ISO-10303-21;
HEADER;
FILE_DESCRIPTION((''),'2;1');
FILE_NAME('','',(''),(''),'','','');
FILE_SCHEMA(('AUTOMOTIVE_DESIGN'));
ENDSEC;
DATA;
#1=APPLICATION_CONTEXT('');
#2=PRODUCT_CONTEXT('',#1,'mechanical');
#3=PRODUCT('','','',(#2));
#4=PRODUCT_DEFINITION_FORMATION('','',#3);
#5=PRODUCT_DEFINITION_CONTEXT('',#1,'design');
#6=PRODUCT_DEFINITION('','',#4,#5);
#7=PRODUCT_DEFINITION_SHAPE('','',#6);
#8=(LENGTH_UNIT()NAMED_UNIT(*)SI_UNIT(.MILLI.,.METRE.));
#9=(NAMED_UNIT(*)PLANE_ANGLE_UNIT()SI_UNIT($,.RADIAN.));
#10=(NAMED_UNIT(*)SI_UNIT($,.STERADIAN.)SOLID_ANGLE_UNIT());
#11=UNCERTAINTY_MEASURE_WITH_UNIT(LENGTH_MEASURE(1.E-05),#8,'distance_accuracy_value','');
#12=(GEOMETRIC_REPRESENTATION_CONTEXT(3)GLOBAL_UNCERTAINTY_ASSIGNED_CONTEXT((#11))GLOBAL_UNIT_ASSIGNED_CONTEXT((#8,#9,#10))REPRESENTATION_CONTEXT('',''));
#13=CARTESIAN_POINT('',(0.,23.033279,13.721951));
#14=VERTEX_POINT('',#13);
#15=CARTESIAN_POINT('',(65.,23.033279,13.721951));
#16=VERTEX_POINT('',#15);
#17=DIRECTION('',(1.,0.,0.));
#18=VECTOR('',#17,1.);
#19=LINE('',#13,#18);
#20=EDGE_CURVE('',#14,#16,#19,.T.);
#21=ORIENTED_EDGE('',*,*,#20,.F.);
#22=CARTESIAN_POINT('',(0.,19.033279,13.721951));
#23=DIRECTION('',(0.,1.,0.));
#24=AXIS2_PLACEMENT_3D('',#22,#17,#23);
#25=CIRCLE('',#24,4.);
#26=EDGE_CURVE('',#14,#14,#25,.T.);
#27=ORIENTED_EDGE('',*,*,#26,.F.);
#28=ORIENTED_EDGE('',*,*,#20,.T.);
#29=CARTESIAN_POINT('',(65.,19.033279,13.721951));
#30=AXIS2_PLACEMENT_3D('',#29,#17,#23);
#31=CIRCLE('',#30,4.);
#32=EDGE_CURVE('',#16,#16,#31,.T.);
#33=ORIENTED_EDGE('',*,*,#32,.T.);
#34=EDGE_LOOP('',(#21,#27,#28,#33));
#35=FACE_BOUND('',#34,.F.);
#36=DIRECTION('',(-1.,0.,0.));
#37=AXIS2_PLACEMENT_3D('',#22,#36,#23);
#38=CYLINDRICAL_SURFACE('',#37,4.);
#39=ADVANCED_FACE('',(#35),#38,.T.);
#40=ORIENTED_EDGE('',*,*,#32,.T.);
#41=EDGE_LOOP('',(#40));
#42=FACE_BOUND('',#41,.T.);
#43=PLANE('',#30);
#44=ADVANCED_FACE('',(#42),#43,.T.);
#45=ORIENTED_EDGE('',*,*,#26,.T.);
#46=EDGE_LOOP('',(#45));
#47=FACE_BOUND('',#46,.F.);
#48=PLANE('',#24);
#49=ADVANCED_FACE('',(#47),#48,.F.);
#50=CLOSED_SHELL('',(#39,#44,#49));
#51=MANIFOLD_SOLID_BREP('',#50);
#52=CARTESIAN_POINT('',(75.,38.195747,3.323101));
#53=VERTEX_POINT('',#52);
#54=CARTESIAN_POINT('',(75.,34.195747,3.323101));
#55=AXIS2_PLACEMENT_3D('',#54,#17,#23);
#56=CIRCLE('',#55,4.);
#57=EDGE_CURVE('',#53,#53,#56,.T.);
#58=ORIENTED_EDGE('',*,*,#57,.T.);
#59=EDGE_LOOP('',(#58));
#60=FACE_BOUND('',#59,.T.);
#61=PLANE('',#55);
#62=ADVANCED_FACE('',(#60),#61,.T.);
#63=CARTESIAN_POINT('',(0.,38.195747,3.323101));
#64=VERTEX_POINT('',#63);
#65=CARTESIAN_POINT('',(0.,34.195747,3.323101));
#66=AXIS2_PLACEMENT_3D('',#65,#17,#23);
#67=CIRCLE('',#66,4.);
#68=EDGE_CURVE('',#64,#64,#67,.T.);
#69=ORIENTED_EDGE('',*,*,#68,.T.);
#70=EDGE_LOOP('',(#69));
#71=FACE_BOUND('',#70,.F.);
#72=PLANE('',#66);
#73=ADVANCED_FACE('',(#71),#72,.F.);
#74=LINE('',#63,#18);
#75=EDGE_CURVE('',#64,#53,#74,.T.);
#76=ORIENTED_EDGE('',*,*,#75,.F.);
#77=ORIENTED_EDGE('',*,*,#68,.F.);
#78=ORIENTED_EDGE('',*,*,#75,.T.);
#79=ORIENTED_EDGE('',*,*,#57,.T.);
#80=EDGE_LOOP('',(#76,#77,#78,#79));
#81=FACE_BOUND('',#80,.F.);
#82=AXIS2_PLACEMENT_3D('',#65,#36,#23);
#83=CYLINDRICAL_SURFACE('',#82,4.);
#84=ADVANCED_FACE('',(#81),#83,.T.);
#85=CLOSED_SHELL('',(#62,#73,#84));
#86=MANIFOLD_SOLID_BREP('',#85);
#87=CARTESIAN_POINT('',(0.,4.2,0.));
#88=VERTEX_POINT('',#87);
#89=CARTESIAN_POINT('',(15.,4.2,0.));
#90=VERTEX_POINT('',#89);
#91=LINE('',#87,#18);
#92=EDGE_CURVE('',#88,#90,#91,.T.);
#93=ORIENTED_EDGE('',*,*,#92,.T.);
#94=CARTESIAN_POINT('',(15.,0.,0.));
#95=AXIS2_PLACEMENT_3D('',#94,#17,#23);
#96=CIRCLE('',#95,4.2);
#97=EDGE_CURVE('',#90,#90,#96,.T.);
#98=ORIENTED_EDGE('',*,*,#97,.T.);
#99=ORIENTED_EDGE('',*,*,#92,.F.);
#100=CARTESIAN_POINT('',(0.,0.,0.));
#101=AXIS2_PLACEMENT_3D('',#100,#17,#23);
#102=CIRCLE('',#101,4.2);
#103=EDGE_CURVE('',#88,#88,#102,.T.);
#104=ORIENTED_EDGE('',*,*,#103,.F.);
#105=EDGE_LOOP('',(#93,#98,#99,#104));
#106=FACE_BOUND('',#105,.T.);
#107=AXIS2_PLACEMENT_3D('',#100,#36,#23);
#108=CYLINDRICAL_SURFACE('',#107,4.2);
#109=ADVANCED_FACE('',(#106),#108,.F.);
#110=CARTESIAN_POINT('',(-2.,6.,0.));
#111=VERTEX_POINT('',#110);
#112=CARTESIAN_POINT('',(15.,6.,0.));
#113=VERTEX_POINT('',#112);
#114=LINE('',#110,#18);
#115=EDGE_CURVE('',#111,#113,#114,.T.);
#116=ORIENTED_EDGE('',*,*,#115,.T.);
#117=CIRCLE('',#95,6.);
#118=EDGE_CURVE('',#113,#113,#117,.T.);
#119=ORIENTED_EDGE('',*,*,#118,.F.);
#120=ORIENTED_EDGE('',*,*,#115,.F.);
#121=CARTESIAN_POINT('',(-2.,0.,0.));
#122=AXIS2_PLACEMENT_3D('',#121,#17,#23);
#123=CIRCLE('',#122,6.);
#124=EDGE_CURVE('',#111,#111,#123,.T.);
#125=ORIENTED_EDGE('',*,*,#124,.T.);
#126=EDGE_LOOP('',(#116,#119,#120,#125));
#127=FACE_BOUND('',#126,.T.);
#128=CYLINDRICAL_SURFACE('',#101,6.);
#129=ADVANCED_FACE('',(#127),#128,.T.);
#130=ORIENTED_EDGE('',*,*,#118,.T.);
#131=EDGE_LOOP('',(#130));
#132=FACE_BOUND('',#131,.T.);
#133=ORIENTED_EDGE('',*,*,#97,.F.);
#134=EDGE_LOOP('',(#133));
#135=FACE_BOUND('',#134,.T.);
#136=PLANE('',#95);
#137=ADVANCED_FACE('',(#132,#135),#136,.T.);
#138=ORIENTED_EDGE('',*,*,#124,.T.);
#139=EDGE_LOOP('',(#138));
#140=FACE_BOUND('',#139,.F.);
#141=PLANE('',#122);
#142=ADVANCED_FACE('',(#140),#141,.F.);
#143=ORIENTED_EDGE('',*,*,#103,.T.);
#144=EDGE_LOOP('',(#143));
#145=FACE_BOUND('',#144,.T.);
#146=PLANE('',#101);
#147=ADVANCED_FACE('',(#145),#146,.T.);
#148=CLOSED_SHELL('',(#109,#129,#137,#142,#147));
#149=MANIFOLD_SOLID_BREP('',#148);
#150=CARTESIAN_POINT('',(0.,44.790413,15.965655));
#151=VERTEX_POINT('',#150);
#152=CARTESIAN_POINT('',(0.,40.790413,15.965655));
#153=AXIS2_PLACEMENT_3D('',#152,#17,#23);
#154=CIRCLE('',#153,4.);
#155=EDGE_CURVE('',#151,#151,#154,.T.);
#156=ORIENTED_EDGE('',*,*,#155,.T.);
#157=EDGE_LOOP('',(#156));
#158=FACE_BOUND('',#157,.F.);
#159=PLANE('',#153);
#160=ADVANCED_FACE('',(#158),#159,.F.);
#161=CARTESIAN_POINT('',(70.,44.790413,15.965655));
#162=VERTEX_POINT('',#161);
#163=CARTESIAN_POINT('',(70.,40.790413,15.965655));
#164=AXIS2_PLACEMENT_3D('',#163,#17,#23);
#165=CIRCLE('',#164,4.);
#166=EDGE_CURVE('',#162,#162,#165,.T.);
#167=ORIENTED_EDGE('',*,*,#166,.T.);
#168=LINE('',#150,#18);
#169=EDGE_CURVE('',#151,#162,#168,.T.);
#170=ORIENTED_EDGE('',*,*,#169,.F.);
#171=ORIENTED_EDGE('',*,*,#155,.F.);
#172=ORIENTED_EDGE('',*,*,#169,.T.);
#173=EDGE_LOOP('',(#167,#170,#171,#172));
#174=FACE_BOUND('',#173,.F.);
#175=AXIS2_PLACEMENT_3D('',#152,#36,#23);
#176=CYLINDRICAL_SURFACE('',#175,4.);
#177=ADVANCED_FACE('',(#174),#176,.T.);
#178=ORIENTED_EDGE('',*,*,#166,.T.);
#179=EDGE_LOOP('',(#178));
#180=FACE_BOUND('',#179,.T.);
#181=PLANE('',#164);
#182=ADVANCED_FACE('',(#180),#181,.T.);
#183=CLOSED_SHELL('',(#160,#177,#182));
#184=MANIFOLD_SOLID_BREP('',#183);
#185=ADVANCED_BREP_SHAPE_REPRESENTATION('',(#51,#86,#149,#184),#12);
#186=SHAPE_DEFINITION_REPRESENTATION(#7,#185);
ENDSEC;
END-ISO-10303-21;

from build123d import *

# Parameters (mm, degrees)
F0_R     = 6
F0_R_2   = 4.2
F1_DEPTH = 15
F2_DEPTH = 2
F0_R_3   = 4
F3_DEPTH = 75
F4_DEPTH = 65
F5_DEPTH = 70


with BuildPart() as f1:
    # F0 (on Right) → F1 (new body)
    with BuildSketch(Plane.YZ):
        Circle(F0_R)
        Circle(F0_R_2, mode=Mode.SUBTRACT)
    extrude(amount=F1_DEPTH)

    # F0 (on Right) → F2 (join)
    with BuildSketch(Plane.YZ):
        Circle(F0_R)
        Circle(F0_R_2, mode=Mode.SUBTRACT)
        Circle(F0_R_2)
    extrude(amount=-F2_DEPTH)


with BuildPart() as f3:
    # F0 (on Right) → F3 (new body)
    with BuildSketch(Plane.YZ):
        with Locations((34.1957472265, 3.3231009729)):
            Circle(F0_R_3)
    extrude(amount=F3_DEPTH)


with BuildPart() as f4:
    # F0 (on Right) → F4 (new body)
    with BuildSketch(Plane.YZ):
        with Locations((19.0332792699, 13.7219512835)):
            Circle(F0_R_3)
    extrude(amount=F4_DEPTH)


with BuildPart() as f5:
    # F0 (on Right) → F5 (new body)
    with BuildSketch(Plane.YZ):
        with Locations((40.790412575, 15.9656554461)):
            Circle(F0_R_3)
    extrude(amount=F5_DEPTH)


solid = Compound([f1.part, f3.part, f4.part, f5.part])
